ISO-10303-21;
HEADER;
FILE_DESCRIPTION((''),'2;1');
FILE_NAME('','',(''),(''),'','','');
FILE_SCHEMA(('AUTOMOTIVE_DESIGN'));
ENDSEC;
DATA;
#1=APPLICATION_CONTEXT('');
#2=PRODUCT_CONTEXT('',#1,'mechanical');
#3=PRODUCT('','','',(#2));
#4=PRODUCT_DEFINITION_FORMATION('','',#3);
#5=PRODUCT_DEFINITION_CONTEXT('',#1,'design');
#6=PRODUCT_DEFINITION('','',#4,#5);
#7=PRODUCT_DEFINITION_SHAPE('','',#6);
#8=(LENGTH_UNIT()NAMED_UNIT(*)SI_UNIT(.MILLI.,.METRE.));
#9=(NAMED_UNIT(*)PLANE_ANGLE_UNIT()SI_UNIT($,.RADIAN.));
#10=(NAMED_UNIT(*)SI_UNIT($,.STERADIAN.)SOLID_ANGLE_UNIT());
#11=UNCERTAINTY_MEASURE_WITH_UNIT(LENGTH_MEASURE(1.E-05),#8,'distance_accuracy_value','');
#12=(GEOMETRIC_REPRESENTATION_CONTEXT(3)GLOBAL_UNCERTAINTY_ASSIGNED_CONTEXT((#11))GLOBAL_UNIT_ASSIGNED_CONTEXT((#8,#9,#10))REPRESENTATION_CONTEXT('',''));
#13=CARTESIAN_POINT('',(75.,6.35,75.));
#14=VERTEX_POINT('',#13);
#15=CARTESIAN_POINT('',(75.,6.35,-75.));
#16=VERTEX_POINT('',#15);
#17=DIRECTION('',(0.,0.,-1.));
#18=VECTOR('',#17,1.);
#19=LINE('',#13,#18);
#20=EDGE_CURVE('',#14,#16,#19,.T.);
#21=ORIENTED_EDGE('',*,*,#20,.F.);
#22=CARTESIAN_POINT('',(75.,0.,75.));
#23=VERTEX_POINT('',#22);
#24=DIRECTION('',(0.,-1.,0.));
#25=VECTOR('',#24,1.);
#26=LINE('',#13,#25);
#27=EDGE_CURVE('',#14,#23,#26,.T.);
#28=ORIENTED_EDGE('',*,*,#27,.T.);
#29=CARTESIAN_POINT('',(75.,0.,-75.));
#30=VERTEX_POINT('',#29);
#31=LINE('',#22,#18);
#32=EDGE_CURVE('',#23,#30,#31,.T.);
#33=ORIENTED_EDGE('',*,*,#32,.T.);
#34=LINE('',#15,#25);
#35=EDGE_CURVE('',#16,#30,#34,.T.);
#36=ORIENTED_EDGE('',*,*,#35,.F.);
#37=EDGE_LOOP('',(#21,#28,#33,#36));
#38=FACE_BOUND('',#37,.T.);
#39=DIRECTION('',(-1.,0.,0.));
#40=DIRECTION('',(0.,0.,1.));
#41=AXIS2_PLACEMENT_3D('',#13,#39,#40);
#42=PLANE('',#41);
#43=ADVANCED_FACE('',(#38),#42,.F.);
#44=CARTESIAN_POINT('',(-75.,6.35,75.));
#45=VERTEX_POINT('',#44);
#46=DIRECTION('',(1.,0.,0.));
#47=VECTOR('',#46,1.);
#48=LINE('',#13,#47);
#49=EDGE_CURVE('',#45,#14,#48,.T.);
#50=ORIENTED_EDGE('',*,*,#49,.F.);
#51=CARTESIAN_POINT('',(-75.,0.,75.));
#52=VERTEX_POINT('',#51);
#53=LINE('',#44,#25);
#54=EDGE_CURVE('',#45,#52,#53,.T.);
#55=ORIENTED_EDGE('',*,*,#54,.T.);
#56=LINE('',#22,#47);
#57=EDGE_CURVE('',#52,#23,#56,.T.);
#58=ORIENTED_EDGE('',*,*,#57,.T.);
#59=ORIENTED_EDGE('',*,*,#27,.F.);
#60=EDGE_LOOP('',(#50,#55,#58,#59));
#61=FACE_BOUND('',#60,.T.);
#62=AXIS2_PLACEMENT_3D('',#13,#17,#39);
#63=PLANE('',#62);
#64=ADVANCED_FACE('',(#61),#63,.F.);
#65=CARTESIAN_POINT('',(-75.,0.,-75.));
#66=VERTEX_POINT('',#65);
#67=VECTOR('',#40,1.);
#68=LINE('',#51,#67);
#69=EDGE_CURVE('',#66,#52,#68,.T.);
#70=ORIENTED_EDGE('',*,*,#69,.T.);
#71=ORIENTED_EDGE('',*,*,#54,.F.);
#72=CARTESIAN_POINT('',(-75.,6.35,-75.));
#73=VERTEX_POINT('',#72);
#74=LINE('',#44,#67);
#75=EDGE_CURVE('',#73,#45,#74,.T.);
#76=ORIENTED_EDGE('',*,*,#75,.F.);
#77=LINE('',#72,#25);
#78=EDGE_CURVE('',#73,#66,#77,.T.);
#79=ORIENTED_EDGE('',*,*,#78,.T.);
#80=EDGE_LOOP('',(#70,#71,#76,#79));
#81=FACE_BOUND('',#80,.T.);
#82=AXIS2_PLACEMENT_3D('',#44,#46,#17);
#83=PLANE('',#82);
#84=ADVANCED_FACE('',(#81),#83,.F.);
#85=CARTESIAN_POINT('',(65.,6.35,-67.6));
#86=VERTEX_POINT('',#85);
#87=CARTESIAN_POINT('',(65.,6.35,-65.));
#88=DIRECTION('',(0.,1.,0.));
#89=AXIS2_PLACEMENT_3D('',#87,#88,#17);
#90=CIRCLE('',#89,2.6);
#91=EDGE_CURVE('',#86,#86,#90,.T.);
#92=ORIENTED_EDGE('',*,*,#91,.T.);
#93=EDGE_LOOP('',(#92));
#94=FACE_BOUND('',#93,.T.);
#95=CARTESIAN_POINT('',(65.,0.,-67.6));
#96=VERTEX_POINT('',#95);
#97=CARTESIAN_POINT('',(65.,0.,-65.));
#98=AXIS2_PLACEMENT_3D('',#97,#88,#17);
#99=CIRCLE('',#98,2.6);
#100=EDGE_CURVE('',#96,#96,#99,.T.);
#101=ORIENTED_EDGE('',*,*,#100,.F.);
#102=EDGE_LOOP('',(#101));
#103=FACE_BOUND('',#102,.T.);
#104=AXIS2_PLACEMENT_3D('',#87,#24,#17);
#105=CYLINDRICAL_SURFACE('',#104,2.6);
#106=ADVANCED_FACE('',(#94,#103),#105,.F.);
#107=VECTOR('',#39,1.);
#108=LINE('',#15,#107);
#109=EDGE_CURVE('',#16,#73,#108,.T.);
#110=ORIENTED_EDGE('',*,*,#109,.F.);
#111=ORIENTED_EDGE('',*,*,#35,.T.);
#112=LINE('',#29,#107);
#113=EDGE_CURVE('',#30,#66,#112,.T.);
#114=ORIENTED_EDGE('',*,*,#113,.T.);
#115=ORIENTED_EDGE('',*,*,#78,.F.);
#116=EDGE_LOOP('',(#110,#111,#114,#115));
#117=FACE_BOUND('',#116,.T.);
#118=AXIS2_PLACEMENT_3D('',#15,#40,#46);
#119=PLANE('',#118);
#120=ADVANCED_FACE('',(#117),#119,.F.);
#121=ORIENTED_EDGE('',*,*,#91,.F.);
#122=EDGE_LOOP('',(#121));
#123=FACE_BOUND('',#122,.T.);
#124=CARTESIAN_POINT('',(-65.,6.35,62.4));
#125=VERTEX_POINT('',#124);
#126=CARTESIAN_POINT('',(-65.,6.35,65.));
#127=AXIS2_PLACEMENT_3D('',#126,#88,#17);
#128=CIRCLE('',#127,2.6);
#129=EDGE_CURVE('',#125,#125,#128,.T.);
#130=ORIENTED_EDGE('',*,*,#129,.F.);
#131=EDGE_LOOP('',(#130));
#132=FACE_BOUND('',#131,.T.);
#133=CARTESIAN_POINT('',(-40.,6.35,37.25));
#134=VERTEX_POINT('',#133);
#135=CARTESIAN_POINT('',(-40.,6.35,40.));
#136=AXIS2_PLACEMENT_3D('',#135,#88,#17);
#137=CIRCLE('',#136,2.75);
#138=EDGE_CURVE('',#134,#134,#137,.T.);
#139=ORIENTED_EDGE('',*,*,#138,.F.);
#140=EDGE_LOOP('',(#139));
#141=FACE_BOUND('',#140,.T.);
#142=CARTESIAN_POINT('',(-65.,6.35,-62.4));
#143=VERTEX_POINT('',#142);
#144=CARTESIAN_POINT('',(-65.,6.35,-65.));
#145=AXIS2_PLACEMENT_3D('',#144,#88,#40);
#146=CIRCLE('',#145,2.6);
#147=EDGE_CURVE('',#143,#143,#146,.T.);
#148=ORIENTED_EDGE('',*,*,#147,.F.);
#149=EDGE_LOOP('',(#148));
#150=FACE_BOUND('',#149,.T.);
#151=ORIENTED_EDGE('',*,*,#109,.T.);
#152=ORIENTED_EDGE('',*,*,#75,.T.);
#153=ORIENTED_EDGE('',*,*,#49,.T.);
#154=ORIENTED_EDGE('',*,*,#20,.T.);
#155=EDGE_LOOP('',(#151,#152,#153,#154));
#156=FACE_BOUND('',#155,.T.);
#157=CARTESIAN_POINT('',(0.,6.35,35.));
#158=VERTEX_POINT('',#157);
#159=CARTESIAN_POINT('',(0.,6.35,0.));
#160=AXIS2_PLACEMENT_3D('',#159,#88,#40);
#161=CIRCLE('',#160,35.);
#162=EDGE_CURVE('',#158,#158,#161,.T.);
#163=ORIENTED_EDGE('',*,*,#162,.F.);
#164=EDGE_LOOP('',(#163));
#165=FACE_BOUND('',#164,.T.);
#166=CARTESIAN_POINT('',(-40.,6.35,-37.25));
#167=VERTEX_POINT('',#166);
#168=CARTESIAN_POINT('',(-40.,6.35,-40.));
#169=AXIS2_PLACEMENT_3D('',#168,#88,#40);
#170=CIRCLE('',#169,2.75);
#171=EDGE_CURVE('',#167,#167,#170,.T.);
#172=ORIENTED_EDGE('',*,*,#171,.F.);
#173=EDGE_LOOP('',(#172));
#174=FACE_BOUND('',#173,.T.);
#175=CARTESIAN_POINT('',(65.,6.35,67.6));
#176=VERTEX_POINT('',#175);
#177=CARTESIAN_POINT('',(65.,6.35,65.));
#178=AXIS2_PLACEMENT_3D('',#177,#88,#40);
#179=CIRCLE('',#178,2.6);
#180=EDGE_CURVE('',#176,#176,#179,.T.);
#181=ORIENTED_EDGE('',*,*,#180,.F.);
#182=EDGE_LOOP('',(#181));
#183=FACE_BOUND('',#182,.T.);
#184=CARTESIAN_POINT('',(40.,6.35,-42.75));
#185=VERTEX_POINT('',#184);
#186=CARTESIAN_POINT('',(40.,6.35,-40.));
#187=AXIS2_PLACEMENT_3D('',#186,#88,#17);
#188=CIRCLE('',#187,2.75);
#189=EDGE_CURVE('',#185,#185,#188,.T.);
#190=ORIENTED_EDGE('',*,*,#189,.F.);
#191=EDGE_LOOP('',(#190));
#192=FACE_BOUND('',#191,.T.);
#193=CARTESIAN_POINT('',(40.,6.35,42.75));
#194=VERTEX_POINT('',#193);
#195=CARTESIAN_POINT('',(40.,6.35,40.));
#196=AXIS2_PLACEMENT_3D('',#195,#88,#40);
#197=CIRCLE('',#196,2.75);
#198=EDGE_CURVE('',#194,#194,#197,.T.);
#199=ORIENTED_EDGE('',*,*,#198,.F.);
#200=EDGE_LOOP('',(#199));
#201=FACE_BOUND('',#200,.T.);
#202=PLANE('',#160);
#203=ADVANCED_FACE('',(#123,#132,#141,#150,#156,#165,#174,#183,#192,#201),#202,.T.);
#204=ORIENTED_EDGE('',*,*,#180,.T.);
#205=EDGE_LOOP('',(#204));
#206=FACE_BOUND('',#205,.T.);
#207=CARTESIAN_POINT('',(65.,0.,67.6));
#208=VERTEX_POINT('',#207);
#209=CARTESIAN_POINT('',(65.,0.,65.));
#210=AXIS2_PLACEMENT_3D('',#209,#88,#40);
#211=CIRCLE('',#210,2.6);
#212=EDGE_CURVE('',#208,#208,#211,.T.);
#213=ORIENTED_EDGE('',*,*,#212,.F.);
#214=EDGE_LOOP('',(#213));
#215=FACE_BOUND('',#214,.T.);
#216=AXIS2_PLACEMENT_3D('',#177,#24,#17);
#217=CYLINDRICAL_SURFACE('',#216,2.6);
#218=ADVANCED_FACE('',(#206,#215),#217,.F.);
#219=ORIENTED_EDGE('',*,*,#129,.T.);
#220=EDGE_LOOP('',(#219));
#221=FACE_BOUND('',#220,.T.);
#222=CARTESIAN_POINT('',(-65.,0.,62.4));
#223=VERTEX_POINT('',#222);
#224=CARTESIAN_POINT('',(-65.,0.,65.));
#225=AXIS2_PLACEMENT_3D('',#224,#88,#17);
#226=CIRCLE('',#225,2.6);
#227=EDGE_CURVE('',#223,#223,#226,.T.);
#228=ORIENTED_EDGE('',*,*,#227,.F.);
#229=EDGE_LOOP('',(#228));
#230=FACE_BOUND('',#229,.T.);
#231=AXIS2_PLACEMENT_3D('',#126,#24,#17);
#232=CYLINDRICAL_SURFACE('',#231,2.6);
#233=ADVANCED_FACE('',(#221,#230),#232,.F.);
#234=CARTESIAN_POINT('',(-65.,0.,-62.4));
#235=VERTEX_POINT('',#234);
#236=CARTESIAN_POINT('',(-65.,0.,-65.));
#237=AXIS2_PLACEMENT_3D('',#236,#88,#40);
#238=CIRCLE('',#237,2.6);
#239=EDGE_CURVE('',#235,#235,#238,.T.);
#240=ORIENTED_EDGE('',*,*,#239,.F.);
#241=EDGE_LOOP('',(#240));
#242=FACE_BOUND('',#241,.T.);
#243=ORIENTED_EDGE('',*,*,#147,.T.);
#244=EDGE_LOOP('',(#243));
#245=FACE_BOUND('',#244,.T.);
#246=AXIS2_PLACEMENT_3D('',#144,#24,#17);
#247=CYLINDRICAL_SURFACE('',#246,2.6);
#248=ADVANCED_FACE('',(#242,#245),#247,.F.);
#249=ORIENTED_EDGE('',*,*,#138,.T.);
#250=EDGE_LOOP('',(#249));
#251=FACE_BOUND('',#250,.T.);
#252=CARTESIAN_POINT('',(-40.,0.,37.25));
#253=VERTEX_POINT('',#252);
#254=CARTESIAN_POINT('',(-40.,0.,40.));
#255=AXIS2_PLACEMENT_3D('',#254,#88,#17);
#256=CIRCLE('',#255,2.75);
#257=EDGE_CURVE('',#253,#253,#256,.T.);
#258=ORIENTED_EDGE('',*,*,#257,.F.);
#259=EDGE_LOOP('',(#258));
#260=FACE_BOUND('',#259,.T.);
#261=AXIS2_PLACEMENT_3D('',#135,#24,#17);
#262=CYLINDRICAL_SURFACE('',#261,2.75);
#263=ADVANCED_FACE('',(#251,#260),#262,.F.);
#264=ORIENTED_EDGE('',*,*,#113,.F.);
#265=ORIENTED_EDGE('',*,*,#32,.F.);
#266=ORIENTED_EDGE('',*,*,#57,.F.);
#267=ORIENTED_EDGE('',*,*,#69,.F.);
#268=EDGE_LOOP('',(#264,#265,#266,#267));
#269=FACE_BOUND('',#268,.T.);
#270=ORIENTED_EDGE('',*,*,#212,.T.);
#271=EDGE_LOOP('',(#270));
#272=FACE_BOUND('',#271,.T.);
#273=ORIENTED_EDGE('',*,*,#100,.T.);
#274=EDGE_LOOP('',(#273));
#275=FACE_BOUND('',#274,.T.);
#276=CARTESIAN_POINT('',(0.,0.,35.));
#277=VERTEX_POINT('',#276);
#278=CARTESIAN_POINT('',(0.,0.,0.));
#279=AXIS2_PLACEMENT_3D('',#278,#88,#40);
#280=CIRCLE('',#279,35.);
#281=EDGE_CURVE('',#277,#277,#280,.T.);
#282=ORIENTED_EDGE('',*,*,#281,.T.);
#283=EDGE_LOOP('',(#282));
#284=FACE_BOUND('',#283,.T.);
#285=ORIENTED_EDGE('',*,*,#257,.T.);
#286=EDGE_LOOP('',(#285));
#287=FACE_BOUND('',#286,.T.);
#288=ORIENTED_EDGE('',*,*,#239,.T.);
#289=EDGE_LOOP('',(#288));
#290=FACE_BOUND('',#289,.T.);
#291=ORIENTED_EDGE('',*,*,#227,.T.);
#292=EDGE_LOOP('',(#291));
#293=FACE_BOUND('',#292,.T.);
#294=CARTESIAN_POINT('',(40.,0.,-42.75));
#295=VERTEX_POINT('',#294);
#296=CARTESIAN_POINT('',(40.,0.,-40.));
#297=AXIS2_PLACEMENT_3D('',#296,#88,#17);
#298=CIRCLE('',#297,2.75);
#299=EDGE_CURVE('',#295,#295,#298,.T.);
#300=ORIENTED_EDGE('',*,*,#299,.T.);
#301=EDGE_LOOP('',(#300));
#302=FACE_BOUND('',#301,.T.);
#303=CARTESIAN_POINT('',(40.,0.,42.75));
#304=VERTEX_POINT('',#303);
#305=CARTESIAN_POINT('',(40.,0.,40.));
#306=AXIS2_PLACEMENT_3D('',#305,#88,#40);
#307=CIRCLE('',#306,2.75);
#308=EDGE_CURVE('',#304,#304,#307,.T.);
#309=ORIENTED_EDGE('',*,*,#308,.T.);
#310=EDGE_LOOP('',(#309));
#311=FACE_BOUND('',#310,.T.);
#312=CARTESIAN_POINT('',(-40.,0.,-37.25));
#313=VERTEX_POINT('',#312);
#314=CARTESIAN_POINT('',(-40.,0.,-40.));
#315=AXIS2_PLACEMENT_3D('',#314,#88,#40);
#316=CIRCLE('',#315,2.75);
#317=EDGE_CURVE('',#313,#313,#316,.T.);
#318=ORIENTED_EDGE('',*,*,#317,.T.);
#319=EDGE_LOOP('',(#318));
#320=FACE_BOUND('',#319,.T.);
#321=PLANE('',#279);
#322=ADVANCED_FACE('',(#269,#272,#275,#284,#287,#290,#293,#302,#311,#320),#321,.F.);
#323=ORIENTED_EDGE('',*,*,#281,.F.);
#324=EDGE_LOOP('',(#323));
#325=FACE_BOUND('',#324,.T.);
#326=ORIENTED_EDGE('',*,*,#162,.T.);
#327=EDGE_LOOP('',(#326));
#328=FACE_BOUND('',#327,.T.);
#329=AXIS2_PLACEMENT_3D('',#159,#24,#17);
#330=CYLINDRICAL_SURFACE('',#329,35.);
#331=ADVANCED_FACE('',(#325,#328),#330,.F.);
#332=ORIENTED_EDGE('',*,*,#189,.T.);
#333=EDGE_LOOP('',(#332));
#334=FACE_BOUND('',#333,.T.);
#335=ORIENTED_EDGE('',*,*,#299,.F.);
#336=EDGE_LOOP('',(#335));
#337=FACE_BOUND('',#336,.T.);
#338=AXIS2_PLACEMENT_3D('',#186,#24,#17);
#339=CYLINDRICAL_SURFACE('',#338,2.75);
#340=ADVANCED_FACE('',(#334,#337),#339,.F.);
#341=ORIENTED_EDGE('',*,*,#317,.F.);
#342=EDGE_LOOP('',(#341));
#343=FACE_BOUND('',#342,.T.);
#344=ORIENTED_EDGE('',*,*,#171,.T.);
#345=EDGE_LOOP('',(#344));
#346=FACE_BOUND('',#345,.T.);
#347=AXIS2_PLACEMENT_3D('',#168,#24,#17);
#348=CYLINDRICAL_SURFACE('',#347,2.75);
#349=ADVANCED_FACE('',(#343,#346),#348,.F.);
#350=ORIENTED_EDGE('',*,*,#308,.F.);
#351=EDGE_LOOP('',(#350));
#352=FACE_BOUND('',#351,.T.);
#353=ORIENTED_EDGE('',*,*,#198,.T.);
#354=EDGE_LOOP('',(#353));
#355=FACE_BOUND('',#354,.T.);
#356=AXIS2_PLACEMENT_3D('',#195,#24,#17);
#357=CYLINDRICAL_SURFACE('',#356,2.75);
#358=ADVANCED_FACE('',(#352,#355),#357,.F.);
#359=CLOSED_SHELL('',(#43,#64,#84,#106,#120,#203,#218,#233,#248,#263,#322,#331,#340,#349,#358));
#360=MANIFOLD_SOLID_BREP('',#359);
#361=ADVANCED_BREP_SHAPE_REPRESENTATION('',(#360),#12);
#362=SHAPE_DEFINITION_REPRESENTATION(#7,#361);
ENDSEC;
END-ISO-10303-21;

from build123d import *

# Parameters (mm, degrees)
SKETCH2_W           = 150
SKETCH2_H           = 150
SKETCH2_R           = 2.6
SKETCH2_R_2         = 2.75
SKETCH2_R_3         = 35
BOSS_EXTRUDE1_DEPTH = 6.35


with BuildPart() as part:
    # Sketch2 → Boss-Extrude1 (new body)
    with BuildSketch(Plane(origin=(0, 0, 0), x_dir=(1, 0, 0), z_dir=(0, 1, 0))):
        Rectangle(SKETCH2_W, SKETCH2_H)
        with Locations(Location((-65, 65, 0), (0, 0, 270))):
            Circle(SKETCH2_R, mode=Mode.SUBTRACT)
        with Locations(Location((65, 65, 0), (0, 0, 90))):
            Circle(SKETCH2_R, mode=Mode.SUBTRACT)
        with Locations(Location((65, -65, 0), (0, 0, 270))):
            Circle(SKETCH2_R, mode=Mode.SUBTRACT)
        with Locations(Location((-65, -65, 0), (0, 0, 90))):
            Circle(SKETCH2_R, mode=Mode.SUBTRACT)
        with Locations(Location((-40, 40, 0), (0, 0, 270))):
            Circle(SKETCH2_R_2, mode=Mode.SUBTRACT)
        with Locations(Location((40, 40, 0), (0, 0, 90))):
            Circle(SKETCH2_R_2, mode=Mode.SUBTRACT)
        with Locations(Location((40, -40, 0), (0, 0, 270))):
            Circle(SKETCH2_R_2, mode=Mode.SUBTRACT)
        with Locations(Location((-40, -40, 0), (0, 0, 90))):
            Circle(SKETCH2_R_2, mode=Mode.SUBTRACT)
        with Locations(Location((0, 0, 0), (0, 0, 270))):
            Circle(SKETCH2_R_3, mode=Mode.SUBTRACT)
    extrude(amount=BOSS_EXTRUDE1_DEPTH)


solid = part.part
